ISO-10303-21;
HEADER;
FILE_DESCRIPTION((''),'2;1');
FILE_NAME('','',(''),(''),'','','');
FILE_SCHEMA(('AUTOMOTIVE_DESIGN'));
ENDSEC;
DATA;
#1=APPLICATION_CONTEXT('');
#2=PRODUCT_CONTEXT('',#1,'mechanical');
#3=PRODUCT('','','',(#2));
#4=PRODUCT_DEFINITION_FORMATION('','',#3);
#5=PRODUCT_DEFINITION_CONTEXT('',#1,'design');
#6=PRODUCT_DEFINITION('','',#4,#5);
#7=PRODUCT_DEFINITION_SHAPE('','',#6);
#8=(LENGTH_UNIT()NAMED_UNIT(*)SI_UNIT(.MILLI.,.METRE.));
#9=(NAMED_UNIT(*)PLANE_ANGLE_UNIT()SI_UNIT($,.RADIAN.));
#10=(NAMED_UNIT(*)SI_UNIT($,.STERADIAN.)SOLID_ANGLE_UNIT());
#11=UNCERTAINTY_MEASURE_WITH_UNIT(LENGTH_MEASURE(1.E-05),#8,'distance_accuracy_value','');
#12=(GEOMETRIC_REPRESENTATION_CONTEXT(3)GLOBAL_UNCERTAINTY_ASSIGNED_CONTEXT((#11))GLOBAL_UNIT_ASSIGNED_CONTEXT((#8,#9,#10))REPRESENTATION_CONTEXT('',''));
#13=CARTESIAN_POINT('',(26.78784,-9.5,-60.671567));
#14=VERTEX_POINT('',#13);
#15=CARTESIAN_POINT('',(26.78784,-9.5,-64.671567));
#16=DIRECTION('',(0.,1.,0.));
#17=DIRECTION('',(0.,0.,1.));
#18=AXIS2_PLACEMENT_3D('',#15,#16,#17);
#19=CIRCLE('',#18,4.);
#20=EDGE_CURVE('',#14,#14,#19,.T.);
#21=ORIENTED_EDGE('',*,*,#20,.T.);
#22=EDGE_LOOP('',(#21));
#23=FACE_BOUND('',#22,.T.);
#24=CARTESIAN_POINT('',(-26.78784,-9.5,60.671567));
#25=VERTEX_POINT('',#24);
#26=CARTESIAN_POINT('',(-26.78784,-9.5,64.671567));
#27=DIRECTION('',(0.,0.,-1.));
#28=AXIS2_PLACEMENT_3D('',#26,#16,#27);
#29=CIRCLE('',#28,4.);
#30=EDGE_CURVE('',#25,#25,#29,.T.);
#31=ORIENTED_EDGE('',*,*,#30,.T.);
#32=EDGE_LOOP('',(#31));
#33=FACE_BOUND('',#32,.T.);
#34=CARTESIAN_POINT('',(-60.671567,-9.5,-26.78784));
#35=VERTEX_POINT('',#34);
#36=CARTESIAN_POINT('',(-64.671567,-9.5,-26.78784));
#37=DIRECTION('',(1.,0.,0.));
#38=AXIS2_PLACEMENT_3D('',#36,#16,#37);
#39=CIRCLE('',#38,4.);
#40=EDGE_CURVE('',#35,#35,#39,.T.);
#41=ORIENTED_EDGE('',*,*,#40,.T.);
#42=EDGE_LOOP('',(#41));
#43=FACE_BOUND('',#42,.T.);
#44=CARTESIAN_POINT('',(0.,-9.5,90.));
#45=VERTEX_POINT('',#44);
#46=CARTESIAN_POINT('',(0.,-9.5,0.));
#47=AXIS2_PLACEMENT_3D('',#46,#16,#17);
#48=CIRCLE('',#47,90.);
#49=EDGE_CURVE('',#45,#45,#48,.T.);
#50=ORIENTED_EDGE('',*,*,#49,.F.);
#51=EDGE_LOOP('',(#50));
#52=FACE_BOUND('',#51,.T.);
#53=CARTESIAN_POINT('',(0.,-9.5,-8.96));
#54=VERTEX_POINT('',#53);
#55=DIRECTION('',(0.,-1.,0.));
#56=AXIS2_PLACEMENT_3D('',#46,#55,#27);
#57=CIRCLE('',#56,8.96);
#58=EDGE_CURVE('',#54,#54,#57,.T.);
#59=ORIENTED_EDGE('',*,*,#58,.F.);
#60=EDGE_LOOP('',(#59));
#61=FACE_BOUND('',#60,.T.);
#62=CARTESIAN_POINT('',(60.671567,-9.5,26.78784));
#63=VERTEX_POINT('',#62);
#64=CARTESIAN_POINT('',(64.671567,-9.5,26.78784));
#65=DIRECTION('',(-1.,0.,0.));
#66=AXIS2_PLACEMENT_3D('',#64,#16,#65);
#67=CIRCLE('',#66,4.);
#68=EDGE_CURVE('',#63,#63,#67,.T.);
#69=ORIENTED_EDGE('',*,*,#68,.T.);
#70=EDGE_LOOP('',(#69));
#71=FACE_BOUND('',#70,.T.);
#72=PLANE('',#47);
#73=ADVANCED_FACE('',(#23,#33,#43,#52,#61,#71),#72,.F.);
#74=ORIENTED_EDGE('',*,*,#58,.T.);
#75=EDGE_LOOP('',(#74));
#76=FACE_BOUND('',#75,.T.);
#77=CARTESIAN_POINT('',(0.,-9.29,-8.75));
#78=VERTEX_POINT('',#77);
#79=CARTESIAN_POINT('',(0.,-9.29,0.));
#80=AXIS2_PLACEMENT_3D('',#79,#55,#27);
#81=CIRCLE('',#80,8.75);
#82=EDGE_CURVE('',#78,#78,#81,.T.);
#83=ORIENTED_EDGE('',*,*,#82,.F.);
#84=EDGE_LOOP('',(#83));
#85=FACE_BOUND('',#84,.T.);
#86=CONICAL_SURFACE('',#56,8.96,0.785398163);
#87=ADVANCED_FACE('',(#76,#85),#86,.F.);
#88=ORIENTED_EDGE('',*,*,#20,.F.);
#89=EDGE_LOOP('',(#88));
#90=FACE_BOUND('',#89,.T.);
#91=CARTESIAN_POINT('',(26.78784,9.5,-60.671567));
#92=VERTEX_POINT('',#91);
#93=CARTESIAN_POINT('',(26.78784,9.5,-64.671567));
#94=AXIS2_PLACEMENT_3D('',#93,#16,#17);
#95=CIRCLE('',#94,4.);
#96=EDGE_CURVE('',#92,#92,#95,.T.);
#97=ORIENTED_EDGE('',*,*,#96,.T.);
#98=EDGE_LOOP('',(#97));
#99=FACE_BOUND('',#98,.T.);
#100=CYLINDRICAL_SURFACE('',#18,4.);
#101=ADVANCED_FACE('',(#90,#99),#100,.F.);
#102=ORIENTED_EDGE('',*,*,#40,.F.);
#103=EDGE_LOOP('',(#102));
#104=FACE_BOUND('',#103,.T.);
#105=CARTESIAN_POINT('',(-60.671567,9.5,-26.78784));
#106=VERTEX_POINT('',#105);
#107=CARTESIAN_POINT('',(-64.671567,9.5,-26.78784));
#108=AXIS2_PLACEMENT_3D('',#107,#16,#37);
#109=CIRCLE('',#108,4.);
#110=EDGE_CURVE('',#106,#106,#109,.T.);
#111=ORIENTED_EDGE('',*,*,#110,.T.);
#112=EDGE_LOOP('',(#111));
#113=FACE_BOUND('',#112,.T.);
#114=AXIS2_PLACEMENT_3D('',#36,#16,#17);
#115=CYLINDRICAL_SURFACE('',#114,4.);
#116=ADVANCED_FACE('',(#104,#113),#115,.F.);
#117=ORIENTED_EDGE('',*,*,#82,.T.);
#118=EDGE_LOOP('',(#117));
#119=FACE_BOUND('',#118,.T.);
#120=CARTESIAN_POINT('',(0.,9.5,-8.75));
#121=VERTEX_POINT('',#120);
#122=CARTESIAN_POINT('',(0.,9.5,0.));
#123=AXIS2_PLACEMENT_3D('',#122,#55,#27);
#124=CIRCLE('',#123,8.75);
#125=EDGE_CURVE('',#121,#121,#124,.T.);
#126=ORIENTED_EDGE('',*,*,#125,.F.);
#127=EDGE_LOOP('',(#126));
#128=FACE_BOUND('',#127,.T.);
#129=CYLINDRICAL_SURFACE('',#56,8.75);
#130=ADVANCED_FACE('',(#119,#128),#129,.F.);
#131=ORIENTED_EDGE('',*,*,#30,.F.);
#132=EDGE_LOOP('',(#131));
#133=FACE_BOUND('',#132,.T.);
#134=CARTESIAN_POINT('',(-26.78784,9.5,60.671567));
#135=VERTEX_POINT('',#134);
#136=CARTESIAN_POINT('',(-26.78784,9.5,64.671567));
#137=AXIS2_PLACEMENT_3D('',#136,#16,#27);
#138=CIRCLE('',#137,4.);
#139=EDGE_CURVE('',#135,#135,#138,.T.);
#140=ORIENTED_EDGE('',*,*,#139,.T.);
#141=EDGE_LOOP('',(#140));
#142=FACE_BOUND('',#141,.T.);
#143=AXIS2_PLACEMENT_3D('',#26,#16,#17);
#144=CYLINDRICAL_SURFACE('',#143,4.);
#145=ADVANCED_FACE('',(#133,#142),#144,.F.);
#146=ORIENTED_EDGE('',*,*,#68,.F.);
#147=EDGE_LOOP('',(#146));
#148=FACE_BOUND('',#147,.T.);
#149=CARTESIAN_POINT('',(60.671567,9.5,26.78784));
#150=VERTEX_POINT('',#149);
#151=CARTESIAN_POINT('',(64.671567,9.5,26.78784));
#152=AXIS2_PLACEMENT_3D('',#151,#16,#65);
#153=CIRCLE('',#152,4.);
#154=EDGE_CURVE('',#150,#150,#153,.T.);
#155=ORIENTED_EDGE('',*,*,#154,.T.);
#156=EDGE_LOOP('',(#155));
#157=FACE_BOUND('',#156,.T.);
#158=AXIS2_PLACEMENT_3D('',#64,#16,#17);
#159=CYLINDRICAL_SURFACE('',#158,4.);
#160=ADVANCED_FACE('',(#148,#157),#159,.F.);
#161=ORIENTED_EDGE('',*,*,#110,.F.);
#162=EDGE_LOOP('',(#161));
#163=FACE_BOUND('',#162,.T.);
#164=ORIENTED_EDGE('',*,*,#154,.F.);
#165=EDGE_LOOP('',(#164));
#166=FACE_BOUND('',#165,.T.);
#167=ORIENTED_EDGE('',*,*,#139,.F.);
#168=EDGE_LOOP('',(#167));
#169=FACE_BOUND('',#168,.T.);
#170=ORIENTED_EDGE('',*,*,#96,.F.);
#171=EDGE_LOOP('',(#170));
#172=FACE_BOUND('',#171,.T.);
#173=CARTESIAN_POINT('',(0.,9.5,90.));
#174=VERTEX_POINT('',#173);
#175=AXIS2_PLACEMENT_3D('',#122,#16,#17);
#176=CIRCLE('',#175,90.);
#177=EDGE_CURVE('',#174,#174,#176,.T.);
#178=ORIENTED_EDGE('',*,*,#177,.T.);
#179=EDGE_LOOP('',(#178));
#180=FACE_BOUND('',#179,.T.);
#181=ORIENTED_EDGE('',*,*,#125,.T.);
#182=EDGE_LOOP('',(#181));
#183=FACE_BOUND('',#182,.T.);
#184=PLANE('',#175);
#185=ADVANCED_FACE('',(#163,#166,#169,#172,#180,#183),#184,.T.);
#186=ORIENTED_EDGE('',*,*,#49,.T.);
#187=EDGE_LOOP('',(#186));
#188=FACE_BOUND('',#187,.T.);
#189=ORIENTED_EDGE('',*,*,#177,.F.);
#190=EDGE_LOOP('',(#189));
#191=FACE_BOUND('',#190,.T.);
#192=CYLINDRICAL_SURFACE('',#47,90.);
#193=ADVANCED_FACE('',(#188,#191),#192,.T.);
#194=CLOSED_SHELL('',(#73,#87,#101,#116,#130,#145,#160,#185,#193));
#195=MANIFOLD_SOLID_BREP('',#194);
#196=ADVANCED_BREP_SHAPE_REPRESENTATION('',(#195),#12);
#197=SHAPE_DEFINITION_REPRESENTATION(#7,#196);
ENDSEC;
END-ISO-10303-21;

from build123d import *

# Parameters (mm, degrees)
BOSS_EXTRUDE1_DEPTH           = 9.5
BOSS_EXTRUDE1_DEPTH_BACK      = 9.5
SKETCH1_R                     = 90
CSK_FOR_M8_SFHCS2_D           = 17.5
CSK_FOR_M8_SFHCS2_CSINK_D     = 17.92
CSK_FOR_M8_SFHCS2_CSINK_ANGLE = 90
SKETCH8_R                     = 4
CUT_EXTRUDE3_DEPTH            = 128.633263689
CIRPATTERN2_COUNT             = 4


with BuildPart() as part:
    # Sketch1 → Boss-Extrude1 (new, two sides: drawn at the far end of the back side and taken through both)
    with BuildSketch(Plane(origin=(0, 0, 0), x_dir=(1, 0, 0), z_dir=(0, 1, 0)).offset(-BOSS_EXTRUDE1_DEPTH_BACK)):
        Circle(SKETCH1_R)
    extrude(amount=BOSS_EXTRUDE1_DEPTH + BOSS_EXTRUDE1_DEPTH_BACK)

    # CSK for M8 SFHCS2 (through all)
    with Locations(Plane(origin=(0, -9.5, 0), x_dir=(-1, 0, 0), z_dir=(0, -1, 0))):
        with Locations((0, 0)):
            CounterSinkHole(CSK_FOR_M8_SFHCS2_D / 2, CSK_FOR_M8_SFHCS2_CSINK_D / 2, counter_sink_angle=CSK_FOR_M8_SFHCS2_CSINK_ANGLE)

    # Sketch8 → Cut-Extrude3 (cut, symmetric)
    with BuildSketch(Plane(origin=(0, 0, 0), x_dir=(1, 0, 0), z_dir=(0, 1, 0))):
        with Locations((26.787840266, 64.671567276)):
            Circle(SKETCH8_R)
    cut_extrude3 = extrude(amount=CUT_EXTRUDE3_DEPTH, both=True, mode=Mode.SUBTRACT)

    # CirPattern2: Cut-Extrude3 ×4 about axis
    cirpattern2_axis = Axis((0, 9.5, 0), (0, -1, 0))
    for i in range(1, CIRPATTERN2_COUNT):
        add(cut_extrude3.rotate(cirpattern2_axis, i * 360 / CIRPATTERN2_COUNT), mode=Mode.SUBTRACT)


solid = part.part
